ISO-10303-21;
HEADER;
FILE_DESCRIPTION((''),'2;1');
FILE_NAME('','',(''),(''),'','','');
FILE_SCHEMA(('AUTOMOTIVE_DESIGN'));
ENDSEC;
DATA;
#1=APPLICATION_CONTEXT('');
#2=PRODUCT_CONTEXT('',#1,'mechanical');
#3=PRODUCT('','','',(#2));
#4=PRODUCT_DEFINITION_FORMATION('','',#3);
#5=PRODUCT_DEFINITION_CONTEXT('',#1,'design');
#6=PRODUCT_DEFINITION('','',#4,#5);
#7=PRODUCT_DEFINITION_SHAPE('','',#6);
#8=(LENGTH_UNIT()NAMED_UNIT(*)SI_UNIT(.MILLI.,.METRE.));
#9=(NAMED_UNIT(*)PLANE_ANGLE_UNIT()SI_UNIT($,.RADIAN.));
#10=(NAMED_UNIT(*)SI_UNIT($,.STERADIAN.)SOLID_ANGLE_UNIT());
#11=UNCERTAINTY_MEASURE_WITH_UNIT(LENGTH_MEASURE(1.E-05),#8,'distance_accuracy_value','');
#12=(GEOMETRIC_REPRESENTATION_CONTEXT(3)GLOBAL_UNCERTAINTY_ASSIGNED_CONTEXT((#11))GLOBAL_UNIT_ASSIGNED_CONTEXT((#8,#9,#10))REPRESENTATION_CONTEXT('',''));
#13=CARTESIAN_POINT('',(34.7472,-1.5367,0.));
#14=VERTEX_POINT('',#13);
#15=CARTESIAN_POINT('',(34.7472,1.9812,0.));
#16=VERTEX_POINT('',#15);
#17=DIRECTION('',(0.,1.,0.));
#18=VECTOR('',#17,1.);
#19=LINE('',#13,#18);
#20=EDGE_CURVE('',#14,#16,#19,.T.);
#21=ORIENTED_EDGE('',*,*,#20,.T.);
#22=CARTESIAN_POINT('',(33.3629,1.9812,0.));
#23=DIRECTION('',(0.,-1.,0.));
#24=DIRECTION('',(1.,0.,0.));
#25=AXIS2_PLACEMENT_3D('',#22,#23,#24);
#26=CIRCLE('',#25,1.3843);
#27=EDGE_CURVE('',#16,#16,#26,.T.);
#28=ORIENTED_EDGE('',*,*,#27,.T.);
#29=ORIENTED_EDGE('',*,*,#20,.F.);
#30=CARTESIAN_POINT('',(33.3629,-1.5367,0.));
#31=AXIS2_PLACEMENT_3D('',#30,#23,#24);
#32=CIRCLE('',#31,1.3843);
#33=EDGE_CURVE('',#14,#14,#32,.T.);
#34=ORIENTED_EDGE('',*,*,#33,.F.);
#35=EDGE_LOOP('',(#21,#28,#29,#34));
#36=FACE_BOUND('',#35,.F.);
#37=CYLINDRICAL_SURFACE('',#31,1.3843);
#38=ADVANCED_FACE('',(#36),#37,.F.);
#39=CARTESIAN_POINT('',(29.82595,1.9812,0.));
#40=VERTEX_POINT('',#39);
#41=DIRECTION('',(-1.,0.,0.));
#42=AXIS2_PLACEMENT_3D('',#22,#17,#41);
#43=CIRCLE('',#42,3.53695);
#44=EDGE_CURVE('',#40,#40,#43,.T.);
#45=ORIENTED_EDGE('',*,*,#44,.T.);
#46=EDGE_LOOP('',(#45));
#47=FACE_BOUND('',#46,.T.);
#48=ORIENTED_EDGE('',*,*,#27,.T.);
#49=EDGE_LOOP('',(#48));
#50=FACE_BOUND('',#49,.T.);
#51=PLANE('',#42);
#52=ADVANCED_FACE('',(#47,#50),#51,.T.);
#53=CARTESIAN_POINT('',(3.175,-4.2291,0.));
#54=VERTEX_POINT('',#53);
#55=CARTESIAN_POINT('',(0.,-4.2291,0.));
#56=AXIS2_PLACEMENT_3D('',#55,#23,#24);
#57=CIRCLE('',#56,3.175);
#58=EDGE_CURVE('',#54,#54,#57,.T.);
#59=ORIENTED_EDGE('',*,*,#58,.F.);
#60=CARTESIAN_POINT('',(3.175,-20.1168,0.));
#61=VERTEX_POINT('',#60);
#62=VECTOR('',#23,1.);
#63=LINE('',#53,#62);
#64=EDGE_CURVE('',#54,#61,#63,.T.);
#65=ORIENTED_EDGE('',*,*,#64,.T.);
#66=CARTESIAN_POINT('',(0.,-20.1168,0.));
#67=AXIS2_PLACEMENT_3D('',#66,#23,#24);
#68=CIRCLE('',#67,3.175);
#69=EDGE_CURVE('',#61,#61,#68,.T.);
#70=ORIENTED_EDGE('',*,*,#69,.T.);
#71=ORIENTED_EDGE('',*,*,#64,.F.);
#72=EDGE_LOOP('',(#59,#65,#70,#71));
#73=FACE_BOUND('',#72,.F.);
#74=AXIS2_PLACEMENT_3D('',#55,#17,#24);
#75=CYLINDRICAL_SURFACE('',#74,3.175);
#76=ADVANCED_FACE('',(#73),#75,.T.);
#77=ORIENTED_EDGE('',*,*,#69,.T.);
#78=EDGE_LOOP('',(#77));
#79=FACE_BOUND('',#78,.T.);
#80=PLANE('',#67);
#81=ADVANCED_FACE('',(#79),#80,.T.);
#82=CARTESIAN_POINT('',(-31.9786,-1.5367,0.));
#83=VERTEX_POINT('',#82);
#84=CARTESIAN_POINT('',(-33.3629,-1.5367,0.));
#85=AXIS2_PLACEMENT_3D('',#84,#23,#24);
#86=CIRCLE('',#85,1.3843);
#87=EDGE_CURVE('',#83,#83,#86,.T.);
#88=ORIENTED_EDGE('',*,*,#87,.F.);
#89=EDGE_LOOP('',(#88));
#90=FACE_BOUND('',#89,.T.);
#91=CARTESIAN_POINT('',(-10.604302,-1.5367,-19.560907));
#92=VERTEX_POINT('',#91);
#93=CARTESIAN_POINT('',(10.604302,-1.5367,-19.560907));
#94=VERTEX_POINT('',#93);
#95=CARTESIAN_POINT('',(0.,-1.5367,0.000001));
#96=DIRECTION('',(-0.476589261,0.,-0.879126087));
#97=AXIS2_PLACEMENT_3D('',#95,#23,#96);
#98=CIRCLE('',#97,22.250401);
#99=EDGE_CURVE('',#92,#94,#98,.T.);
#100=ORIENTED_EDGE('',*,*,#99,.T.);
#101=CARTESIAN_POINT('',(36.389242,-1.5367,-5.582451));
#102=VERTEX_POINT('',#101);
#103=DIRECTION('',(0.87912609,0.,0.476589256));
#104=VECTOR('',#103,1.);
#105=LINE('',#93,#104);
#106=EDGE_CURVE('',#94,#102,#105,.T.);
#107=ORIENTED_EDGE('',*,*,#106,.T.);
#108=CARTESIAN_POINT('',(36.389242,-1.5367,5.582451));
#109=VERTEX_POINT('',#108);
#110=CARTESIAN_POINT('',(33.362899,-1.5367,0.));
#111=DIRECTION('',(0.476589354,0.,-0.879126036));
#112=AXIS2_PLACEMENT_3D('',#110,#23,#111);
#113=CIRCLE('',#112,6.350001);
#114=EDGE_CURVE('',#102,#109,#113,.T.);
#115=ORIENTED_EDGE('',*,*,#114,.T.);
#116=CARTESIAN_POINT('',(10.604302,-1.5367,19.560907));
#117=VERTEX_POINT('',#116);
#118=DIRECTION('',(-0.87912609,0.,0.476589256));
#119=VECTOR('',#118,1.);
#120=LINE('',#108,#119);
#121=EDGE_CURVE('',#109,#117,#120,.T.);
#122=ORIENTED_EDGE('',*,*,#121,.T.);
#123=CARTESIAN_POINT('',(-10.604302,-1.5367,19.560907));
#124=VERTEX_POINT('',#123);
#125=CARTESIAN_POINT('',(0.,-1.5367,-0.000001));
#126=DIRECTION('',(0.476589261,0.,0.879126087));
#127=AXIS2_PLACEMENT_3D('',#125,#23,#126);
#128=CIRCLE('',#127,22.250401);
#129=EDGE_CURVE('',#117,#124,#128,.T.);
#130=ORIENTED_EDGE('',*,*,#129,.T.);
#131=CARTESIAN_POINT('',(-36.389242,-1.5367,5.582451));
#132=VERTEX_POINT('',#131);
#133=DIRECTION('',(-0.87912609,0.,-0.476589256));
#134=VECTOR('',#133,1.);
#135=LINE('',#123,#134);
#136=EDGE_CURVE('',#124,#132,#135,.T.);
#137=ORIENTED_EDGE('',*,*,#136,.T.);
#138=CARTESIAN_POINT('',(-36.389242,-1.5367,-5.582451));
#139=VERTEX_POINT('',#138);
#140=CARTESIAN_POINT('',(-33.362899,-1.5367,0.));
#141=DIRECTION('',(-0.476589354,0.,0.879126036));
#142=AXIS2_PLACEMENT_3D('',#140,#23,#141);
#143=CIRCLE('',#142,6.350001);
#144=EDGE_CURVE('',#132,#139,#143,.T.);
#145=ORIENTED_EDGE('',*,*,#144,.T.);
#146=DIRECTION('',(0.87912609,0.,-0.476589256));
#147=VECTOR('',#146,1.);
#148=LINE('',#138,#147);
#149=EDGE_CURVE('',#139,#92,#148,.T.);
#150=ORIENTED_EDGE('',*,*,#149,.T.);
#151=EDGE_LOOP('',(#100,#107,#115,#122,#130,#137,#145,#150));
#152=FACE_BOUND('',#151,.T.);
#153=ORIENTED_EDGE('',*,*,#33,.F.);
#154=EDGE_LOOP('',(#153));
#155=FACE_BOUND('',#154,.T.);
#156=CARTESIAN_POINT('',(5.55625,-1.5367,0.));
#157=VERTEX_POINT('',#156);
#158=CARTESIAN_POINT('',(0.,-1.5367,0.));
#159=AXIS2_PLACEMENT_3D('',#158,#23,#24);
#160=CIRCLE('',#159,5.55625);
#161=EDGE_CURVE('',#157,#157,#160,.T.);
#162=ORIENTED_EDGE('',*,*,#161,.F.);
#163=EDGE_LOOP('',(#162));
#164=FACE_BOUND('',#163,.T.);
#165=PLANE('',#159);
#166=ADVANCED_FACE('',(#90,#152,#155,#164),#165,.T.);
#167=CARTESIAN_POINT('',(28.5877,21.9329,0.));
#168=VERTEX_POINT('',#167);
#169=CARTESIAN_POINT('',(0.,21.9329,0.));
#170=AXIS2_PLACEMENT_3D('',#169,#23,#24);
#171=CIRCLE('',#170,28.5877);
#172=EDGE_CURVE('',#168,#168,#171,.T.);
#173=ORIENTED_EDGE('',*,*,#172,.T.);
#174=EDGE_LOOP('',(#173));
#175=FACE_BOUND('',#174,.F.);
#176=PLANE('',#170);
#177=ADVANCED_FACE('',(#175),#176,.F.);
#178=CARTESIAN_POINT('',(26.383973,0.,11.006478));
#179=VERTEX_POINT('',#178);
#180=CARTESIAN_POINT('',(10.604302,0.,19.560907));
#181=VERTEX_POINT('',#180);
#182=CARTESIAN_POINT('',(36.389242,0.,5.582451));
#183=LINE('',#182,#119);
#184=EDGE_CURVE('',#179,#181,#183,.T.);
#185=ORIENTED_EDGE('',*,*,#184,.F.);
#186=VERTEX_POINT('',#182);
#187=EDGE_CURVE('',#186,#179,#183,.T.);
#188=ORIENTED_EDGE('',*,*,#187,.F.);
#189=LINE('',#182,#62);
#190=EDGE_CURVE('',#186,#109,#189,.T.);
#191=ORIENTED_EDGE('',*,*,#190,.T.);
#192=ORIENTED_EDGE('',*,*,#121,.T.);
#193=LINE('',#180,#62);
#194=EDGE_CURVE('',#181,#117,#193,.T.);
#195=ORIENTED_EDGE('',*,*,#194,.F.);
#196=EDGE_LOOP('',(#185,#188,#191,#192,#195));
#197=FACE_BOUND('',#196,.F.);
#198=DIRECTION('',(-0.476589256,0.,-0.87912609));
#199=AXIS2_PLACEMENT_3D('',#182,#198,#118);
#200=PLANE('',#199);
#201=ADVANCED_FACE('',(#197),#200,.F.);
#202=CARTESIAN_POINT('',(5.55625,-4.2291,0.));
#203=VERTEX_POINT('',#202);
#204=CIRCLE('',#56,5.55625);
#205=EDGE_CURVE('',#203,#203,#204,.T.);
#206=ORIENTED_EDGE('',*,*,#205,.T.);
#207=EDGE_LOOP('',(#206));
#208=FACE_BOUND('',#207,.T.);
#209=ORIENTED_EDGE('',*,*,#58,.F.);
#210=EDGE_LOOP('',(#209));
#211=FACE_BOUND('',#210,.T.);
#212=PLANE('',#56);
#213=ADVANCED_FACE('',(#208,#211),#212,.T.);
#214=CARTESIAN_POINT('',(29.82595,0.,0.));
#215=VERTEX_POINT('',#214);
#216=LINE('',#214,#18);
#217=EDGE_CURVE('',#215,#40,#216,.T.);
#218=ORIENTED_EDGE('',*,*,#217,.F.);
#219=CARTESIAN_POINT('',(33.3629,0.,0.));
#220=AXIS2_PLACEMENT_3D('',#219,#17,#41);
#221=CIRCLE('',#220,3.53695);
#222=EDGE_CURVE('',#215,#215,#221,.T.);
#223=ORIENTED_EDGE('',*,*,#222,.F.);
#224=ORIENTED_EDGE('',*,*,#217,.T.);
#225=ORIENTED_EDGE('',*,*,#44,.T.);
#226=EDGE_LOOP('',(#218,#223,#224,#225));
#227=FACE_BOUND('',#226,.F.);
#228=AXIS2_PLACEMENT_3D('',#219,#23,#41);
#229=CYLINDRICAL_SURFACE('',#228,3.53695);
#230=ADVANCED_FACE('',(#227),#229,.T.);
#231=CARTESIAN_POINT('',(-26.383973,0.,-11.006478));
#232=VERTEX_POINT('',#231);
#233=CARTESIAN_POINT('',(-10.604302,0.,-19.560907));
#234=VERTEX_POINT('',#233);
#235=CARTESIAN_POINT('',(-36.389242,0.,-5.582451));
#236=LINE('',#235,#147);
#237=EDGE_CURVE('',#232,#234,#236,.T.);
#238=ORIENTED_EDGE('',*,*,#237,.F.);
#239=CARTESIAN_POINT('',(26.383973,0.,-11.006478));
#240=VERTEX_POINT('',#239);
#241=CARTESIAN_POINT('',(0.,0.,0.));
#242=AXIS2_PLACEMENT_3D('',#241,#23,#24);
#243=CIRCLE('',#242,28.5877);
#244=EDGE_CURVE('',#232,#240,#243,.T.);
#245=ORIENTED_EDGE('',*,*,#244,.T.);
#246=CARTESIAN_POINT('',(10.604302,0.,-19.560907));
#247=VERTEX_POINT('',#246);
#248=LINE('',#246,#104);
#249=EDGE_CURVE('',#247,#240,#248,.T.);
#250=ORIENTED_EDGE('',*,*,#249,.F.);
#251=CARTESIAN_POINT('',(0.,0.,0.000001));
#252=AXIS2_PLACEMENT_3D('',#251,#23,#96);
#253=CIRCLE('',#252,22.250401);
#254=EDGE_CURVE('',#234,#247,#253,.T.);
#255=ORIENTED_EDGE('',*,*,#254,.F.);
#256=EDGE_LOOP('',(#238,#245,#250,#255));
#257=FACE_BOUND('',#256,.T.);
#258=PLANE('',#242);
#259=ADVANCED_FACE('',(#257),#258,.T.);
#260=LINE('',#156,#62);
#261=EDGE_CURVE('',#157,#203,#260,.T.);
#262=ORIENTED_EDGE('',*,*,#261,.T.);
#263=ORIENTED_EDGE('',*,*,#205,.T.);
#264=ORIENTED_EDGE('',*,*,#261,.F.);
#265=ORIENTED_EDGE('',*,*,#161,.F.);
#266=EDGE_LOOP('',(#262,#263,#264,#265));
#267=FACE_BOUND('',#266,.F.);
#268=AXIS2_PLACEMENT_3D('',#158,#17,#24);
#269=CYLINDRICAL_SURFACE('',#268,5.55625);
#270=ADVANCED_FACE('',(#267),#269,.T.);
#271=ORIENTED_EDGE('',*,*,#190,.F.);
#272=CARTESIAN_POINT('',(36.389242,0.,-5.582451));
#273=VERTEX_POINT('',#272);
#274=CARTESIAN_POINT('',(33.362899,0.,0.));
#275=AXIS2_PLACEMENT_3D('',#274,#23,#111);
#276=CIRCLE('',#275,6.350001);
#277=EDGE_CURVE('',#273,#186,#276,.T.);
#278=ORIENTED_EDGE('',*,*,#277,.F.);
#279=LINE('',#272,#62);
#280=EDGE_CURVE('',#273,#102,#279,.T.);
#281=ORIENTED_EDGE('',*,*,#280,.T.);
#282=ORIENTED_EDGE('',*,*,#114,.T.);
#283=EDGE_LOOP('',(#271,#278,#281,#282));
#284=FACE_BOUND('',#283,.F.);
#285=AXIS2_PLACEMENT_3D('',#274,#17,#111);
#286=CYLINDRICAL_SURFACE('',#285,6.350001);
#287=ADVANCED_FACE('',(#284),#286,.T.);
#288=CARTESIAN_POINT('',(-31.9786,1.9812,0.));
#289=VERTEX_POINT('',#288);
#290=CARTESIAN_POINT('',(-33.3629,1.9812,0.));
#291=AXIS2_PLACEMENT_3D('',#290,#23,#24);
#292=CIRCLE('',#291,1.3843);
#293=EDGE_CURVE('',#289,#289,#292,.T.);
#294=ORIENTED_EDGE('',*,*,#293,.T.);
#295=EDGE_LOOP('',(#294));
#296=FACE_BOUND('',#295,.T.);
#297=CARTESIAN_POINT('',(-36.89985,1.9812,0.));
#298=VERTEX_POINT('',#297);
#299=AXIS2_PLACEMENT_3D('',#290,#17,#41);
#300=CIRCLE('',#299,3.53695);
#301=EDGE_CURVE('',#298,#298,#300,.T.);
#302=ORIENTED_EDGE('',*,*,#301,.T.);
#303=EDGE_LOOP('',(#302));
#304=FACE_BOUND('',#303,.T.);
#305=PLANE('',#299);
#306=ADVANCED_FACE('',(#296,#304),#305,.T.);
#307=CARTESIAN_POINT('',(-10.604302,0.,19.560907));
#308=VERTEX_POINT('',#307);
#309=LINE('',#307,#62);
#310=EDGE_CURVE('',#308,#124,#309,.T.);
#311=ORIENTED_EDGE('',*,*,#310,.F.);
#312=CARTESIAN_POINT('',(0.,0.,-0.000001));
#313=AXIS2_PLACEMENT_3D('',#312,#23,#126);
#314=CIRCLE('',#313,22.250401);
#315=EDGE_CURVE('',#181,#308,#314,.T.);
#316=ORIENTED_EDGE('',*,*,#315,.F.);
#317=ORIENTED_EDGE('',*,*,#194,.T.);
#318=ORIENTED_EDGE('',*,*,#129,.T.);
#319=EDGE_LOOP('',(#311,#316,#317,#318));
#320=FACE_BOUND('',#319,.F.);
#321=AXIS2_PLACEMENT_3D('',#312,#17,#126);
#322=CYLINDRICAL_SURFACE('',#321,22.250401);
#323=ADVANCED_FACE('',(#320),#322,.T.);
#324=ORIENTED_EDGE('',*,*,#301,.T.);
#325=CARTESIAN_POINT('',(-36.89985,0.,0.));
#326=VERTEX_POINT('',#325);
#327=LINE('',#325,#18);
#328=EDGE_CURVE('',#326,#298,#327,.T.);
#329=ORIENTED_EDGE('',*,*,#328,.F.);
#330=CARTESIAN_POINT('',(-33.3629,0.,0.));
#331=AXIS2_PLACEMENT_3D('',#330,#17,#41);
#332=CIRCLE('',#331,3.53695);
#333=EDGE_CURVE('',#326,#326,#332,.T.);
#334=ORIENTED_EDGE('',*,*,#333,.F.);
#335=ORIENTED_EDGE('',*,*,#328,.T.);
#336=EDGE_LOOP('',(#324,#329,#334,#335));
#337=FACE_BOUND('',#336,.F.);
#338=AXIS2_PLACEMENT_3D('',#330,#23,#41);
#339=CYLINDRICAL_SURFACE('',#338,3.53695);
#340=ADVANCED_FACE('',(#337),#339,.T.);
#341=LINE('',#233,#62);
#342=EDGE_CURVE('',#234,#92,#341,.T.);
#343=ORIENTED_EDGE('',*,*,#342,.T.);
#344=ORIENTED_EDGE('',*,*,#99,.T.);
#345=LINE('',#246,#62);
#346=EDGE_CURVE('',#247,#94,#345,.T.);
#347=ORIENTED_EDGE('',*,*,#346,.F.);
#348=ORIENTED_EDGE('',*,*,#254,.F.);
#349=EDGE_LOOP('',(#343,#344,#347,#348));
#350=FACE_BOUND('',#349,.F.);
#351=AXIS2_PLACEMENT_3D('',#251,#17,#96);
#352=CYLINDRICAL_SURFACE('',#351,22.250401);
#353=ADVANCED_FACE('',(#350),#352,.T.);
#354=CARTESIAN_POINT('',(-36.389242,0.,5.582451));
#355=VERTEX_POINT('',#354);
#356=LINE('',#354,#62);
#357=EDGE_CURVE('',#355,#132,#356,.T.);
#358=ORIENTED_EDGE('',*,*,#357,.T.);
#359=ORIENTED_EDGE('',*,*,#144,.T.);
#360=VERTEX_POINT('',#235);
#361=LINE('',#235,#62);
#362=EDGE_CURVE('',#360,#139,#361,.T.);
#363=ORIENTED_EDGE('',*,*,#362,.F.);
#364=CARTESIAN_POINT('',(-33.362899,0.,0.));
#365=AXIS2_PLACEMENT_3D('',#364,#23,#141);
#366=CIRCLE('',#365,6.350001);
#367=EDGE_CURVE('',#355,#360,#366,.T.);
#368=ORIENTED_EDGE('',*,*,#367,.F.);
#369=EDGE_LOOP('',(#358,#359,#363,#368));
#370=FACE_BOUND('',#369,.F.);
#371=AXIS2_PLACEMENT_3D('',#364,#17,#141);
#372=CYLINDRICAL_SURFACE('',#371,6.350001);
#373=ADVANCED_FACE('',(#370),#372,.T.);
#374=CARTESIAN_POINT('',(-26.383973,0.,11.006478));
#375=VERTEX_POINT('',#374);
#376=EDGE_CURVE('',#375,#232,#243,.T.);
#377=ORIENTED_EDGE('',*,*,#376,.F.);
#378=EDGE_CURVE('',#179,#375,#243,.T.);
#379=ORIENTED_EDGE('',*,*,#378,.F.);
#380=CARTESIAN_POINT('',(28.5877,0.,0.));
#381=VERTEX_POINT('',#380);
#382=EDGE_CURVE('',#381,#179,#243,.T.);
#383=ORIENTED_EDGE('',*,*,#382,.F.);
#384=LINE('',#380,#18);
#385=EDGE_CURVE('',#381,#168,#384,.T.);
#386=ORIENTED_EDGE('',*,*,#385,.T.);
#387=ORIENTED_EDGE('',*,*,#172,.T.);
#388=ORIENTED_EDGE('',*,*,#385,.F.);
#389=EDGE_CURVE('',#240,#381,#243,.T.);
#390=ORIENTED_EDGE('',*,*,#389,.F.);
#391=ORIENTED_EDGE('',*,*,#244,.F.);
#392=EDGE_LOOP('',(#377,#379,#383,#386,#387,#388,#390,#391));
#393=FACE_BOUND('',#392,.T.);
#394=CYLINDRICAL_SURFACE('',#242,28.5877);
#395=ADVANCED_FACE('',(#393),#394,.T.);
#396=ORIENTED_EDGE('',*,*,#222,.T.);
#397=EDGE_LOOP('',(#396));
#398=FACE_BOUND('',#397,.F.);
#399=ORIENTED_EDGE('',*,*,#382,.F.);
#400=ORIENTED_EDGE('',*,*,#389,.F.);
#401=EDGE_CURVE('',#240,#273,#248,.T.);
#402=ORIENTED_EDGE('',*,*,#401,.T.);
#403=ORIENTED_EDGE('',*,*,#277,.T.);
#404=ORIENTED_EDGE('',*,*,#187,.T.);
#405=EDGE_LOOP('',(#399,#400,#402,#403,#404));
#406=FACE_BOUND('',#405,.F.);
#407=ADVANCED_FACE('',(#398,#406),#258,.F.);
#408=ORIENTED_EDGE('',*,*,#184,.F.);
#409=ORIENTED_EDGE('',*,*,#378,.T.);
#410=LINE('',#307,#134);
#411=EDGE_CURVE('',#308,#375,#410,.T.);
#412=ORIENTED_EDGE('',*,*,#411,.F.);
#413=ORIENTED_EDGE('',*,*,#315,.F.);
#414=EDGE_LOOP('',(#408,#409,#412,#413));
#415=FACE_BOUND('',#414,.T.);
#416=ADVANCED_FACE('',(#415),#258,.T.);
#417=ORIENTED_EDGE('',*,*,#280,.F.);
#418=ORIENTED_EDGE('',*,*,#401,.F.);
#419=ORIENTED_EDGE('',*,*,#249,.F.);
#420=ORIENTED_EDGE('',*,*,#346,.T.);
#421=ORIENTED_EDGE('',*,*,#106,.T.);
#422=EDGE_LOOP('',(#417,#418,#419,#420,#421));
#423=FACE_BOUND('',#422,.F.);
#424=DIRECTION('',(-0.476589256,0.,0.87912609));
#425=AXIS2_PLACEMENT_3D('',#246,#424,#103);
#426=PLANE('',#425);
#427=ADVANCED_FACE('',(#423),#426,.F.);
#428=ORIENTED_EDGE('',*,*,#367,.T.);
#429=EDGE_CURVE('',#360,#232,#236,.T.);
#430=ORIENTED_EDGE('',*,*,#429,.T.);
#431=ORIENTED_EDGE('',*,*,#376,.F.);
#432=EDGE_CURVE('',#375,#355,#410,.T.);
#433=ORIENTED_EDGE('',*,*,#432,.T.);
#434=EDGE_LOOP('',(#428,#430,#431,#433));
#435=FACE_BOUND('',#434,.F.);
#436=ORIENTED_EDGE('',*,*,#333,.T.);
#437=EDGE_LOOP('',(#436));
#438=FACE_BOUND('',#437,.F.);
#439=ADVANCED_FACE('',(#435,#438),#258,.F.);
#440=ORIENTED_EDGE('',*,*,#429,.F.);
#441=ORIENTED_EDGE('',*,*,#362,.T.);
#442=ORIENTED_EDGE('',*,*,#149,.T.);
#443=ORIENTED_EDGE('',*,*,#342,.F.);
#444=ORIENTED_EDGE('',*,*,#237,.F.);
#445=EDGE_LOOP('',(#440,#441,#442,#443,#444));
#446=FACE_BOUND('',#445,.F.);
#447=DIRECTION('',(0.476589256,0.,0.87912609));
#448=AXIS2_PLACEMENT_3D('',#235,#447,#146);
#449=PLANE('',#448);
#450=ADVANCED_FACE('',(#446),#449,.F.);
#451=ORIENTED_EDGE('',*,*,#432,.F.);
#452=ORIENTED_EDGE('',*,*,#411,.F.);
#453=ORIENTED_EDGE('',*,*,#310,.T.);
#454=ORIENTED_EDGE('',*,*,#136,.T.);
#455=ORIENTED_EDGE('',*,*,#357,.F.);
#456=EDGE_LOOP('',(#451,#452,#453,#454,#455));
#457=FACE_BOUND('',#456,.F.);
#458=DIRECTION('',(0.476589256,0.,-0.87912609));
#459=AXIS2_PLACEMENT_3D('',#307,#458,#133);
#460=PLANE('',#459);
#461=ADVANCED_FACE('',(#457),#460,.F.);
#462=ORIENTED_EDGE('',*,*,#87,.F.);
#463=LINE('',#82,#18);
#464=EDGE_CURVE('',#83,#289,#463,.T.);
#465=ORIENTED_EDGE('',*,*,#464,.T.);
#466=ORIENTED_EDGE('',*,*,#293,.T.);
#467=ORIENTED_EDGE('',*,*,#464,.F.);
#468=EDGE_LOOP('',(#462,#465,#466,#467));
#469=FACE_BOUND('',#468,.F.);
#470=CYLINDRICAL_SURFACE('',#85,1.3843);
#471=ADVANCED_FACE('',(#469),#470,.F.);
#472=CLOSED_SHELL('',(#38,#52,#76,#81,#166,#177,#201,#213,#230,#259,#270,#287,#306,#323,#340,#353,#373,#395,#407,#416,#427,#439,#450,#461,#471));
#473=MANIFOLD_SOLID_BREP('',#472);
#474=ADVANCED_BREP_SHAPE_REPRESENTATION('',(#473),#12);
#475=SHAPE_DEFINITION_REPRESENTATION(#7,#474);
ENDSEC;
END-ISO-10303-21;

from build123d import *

# Parameters (mm, degrees)
F0_R      = 28.5877
F1_DEPTH  = 21.9329
F3_DEPTH  = 1.5367
F4_R      = 5.55625
F5_DEPTH  = 2.6924
F6_R      = 3.175
F7_DEPTH  = 15.8877
F8_R      = 3.53695
F9_DEPTH  = 1.9812
F10_R     = 1.3843
F11_DEPTH = 23.4706


with BuildPart() as f1:
    # F0 (on Front) → F1 (new body)
    with BuildSketch(Plane.XZ):
        Circle(F0_R)
    extrude(amount=-F1_DEPTH)

    # F2 (on face) → F3 (join)
    with BuildSketch(Plane.XZ):
        with BuildLine():
            Line((-10.604302, 19.560907), (-36.389242, 5.582451))
            ThreePointArc((-36.389242, 5.582451), (-39.7129, 0), (-36.389242, -5.582451))
            Line((-36.389242, -5.582451), (-10.604302, -19.560907))
            ThreePointArc((-10.604302, -19.560907), (0, -22.2504), (10.604302, -19.560907))
            Line((10.604302, -19.560907), (36.389242, -5.582451))
            ThreePointArc((36.389242, -5.582451), (39.7129, 0), (36.389242, 5.582451))
            Line((36.389242, 5.582451), (10.604302, 19.560907))
            ThreePointArc((10.604302, 19.560907), (0, 22.2504), (-10.604302, 19.560907))
        make_face()
    extrude(amount=F3_DEPTH)

    # F4 (on face) → F5 (join)
    with BuildSketch(Plane.XZ.offset(1.5367)):
        Circle(F4_R)
    extrude(amount=F5_DEPTH)

    # F6 (on face) → F7 (join)
    with BuildSketch(Plane.XZ.offset(4.2291)):
        Circle(F6_R)
    extrude(amount=F7_DEPTH)

    # F8 (on face) → F9 (join)
    with BuildSketch(Plane(origin=(0, 0, 0), x_dir=(-1, 0, 0), z_dir=(0, 1, 0))):
        with Locations((-33.3629, 0)):
            Circle(F8_R)
        with Locations((33.3629, 0)):
            Circle(F8_R)
    extrude(amount=F9_DEPTH)

    # F10 (on face) → F11 (cut, through all)
    with BuildSketch(Plane.XZ.offset(1.5367)):
        with Locations((33.3629, 0)):
            Circle(F10_R)
        with Locations((-33.3629, 0)):
            Circle(F10_R)
    extrude(amount=-F11_DEPTH, mode=Mode.SUBTRACT)


solid = f1.part
